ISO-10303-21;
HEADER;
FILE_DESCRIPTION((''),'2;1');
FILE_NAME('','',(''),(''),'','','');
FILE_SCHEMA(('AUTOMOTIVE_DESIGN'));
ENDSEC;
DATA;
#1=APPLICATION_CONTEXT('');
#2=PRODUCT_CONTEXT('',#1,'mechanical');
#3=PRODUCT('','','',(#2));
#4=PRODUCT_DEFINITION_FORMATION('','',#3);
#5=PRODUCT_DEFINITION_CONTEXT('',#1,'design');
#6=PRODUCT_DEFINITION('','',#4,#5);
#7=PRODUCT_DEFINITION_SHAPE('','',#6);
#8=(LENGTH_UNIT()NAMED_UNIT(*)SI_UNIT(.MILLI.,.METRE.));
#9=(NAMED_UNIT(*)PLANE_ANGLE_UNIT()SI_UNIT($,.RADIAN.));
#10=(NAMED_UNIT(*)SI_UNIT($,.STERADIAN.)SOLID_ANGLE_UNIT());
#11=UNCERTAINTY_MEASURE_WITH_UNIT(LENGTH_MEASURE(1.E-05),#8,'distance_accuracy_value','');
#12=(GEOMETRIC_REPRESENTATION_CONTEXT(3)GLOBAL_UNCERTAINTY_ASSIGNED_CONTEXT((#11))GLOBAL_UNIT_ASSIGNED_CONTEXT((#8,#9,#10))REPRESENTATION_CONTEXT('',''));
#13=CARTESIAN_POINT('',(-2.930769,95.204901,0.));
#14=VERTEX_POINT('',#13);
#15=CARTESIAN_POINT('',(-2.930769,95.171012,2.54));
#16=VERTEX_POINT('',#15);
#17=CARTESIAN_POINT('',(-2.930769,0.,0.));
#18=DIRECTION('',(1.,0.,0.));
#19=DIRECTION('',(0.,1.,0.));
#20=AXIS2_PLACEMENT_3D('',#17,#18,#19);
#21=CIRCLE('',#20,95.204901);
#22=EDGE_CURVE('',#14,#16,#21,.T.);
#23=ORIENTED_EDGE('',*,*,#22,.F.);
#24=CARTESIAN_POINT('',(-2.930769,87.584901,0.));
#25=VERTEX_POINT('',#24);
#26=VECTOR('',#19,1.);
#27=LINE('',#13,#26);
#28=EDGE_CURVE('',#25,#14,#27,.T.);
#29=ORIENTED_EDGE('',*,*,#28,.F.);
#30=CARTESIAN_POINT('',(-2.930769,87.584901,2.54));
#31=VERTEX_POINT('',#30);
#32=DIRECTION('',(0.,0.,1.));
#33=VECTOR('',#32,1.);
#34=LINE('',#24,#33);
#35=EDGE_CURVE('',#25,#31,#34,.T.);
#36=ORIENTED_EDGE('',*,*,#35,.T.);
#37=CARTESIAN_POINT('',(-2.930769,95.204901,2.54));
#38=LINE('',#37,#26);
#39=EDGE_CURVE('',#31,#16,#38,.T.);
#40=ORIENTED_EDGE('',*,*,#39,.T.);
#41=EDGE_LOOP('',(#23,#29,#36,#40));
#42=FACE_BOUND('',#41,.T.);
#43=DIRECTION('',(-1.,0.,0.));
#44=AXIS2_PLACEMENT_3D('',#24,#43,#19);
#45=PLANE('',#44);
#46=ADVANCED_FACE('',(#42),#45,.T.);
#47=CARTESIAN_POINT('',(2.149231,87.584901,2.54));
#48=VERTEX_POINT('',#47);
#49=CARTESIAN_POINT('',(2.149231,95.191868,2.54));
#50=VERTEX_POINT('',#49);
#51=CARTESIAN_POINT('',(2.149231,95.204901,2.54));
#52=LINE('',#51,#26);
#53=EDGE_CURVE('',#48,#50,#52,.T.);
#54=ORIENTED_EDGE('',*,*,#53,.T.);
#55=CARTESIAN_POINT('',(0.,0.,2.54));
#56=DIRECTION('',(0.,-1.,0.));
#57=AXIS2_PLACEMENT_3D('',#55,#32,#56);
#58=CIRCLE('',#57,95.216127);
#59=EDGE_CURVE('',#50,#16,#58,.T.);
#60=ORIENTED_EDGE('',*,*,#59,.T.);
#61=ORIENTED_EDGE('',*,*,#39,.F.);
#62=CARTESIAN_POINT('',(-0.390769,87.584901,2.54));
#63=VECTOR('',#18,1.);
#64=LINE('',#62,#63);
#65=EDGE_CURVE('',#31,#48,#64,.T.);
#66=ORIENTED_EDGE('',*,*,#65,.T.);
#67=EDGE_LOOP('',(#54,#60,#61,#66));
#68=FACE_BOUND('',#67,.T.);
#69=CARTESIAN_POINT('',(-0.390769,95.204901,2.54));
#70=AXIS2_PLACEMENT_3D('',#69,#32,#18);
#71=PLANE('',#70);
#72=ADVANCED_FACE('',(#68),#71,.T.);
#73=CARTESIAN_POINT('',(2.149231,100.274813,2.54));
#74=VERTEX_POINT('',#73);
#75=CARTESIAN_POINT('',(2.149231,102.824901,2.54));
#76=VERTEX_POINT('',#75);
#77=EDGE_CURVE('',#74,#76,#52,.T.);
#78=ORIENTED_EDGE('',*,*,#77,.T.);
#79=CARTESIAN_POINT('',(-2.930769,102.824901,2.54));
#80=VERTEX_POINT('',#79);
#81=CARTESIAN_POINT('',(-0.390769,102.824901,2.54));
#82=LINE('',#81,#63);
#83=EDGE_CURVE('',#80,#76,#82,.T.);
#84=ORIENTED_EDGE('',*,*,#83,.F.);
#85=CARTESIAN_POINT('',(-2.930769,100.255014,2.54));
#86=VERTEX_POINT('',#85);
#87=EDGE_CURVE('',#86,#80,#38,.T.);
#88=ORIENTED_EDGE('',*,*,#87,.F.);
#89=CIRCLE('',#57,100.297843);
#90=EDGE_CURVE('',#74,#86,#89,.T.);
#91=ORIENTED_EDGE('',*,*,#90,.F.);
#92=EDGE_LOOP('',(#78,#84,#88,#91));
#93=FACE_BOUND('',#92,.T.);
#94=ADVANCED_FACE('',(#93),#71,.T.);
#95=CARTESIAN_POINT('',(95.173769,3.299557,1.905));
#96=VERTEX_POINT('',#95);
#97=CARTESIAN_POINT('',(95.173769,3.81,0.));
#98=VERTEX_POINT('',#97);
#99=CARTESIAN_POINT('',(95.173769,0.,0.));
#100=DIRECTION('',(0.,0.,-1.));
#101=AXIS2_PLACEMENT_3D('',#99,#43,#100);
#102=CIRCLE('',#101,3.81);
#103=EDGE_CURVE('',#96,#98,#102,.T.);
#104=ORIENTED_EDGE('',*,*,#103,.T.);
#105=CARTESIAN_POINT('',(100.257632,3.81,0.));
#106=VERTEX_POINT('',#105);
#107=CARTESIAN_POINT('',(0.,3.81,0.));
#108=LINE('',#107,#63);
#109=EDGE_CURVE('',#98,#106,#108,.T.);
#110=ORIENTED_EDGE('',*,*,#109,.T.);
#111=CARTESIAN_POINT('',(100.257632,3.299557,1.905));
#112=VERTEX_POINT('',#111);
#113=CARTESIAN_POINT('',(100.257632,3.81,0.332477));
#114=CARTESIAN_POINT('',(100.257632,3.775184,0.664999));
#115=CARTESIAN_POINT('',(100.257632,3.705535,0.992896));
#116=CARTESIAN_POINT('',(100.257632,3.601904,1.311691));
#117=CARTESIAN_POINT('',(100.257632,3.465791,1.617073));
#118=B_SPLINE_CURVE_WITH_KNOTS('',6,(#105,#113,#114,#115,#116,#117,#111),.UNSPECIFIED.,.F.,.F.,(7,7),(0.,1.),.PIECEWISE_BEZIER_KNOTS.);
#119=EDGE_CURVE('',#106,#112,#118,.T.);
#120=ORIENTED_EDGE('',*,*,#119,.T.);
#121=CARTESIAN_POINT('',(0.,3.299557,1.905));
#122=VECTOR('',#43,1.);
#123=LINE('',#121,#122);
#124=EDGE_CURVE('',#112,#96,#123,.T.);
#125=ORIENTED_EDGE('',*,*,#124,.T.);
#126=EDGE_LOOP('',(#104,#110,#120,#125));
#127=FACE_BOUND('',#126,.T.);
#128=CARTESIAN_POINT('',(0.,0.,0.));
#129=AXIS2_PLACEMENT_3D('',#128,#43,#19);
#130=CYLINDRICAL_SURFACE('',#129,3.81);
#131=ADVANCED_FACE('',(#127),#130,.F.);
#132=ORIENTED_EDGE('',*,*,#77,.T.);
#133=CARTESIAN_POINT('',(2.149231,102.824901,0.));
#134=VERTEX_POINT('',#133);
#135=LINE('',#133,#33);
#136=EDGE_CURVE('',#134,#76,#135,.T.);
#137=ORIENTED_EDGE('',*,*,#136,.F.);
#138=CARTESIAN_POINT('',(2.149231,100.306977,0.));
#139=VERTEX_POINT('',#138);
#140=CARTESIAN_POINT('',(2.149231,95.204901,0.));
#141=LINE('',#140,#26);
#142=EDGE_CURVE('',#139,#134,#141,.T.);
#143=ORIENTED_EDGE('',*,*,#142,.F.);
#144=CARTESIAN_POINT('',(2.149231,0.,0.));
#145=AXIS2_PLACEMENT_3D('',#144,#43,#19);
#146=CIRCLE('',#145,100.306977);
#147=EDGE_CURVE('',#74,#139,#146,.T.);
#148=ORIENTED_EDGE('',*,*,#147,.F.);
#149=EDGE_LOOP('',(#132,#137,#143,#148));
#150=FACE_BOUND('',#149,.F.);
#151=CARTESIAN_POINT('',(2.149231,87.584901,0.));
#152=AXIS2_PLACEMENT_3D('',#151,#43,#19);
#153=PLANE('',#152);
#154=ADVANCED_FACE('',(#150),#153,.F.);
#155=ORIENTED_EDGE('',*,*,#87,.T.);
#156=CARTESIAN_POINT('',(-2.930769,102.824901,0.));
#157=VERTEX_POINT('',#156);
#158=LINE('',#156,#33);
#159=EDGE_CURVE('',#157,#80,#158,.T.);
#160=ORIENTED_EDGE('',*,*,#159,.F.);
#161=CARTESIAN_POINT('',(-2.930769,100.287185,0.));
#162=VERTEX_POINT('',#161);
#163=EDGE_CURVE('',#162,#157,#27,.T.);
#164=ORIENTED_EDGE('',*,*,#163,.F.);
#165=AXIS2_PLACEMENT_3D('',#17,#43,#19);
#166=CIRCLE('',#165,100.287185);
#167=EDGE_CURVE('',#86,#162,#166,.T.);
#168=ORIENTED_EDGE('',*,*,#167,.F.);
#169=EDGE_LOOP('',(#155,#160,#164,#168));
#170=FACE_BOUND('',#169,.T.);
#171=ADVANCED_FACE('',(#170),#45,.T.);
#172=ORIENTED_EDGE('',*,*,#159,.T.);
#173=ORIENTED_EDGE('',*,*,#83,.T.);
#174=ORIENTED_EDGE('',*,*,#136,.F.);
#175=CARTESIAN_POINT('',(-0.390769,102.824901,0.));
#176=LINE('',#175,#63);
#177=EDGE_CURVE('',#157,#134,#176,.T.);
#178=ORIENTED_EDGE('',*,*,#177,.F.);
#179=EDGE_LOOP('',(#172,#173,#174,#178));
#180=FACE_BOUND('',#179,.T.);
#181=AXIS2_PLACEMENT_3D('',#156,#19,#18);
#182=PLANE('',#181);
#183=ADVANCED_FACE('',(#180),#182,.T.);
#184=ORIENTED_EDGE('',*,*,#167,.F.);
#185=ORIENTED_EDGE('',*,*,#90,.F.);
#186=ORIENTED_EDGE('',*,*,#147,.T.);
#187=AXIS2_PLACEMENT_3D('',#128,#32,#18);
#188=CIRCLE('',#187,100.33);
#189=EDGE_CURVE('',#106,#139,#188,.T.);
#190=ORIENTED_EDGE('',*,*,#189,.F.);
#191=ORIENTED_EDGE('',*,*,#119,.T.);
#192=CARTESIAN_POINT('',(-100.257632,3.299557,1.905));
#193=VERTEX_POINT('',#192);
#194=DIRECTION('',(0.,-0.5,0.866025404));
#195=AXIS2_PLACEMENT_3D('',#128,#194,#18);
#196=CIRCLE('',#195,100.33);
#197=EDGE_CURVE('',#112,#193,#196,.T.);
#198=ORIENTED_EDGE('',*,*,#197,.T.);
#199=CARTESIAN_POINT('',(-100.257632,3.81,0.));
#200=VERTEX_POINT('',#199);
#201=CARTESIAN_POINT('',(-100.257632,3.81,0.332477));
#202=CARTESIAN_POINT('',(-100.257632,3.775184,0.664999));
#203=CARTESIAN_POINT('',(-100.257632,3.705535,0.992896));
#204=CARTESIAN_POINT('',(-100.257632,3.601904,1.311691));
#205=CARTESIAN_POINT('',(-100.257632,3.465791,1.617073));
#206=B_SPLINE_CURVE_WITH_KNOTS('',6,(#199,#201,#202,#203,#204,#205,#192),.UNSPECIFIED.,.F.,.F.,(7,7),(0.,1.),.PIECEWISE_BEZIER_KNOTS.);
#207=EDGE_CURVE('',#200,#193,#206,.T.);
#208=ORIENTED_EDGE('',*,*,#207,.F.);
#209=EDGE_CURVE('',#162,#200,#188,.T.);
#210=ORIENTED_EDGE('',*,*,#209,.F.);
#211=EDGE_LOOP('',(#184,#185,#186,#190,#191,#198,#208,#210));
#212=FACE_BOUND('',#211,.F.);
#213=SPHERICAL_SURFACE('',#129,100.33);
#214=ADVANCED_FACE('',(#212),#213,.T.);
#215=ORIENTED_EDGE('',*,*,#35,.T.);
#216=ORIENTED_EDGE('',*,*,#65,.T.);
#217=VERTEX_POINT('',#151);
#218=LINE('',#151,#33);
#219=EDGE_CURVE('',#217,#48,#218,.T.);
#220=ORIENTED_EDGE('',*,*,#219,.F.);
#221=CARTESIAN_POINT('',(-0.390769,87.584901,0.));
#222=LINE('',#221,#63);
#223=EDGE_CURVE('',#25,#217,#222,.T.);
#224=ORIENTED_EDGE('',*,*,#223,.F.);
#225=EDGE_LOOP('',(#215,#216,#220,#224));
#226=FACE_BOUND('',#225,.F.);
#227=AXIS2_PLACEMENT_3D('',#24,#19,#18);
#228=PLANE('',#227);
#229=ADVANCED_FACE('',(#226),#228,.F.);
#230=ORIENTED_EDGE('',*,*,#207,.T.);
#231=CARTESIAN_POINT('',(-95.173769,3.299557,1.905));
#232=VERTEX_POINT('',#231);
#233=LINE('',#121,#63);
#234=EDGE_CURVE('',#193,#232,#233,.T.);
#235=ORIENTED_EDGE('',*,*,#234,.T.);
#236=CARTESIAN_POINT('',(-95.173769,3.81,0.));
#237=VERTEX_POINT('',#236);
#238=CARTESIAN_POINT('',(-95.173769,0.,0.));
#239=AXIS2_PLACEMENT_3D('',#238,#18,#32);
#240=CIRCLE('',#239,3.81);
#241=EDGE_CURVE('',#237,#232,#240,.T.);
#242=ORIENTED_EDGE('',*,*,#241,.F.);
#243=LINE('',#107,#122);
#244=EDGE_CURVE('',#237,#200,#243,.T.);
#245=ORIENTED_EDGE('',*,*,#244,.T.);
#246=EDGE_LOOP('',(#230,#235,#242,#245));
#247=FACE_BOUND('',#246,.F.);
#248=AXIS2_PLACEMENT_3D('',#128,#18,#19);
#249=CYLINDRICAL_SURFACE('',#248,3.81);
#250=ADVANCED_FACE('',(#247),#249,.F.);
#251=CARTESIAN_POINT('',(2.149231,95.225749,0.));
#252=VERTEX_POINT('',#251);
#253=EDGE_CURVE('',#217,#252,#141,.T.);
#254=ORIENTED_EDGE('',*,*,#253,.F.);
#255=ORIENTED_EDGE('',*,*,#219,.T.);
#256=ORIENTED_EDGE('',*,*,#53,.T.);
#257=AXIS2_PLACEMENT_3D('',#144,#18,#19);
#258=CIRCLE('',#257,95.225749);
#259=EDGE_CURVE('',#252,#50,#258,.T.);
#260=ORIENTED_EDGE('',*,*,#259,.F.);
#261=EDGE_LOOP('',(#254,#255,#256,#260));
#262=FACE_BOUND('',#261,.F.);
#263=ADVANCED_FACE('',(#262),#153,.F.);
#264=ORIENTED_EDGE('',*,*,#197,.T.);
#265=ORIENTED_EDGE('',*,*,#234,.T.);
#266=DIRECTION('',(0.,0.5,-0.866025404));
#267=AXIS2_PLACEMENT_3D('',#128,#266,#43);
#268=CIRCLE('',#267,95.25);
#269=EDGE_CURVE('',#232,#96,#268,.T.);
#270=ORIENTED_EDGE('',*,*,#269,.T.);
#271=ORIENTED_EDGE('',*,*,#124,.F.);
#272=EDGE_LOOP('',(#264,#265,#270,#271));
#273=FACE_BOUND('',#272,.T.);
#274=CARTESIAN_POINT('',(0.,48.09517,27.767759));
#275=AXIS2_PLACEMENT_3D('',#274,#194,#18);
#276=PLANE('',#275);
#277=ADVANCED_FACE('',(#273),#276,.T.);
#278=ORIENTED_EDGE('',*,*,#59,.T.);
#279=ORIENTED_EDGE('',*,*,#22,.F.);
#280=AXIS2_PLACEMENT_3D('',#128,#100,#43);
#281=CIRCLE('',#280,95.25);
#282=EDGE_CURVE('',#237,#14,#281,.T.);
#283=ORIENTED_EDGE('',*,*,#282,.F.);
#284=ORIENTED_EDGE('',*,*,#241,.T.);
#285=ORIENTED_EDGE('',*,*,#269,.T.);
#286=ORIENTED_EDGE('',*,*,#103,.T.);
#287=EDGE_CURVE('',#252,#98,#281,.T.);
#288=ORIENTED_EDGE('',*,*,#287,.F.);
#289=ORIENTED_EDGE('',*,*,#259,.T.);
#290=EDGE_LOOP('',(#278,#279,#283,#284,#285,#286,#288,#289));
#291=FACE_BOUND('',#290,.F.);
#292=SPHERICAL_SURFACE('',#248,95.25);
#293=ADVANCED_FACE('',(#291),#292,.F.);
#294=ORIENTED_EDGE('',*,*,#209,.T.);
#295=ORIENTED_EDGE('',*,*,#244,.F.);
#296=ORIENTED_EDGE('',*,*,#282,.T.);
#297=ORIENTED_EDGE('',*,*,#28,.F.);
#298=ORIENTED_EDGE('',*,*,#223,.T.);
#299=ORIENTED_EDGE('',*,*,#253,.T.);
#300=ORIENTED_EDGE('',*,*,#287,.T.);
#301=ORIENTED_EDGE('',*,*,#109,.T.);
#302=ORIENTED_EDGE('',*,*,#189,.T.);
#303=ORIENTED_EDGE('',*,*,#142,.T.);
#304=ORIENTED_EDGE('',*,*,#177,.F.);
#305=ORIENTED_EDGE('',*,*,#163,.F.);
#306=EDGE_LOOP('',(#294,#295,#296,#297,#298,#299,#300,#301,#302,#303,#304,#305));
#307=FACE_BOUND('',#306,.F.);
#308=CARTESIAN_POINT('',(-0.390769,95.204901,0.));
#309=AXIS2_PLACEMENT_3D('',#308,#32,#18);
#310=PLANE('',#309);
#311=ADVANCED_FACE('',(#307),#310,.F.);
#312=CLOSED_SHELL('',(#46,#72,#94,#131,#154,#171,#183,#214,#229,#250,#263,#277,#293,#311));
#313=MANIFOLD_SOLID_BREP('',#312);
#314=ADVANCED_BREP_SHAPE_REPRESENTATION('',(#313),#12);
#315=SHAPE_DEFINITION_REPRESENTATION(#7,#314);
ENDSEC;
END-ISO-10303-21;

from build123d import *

# Parameters (mm, degrees)
F1_ANGLE      = 30
F2_R          = 3.81
F3_DEPTH      = 100.331
F3_DEPTH_BACK = 100.331
F4_W          = 5.08
F4_H          = 15.24
F5_DEPTH      = 2.54


with BuildPart() as f1:
    # F0 (on Top) → F1 (revolve)
    with BuildSketch(Plane.XY):
        with BuildLine():
            Line((-100.33, 0), (-95.25, 0))
            ThreePointArc((-95.25, 0), (0, 95.25), (95.25, 0))
            Line((95.25, 0), (100.33, 0))
            ThreePointArc((100.33, 0), (0, 100.33), (-100.33, 0))
        make_face()
    revolve(axis=Axis((-47.625, 0, 0), (1, 0, 0)), revolution_arc=F1_ANGLE)

    # F2 (on Right) → F3 (cut, two sides)
    with BuildSketch(Plane.YZ) as f3_sk:
        Circle(F2_R)
    extrude(amount=-F3_DEPTH, mode=Mode.SUBTRACT)
    extrude(f3_sk.sketch, amount=F3_DEPTH_BACK, mode=Mode.SUBTRACT)

    # F4 (on Top) → F5 (join)
    with BuildSketch(Plane.XY):
        with Locations((-0.3907692308, 95.2049005657)):
            Rectangle(F4_W, F4_H)
    extrude(amount=F5_DEPTH)


solid = f1.part
